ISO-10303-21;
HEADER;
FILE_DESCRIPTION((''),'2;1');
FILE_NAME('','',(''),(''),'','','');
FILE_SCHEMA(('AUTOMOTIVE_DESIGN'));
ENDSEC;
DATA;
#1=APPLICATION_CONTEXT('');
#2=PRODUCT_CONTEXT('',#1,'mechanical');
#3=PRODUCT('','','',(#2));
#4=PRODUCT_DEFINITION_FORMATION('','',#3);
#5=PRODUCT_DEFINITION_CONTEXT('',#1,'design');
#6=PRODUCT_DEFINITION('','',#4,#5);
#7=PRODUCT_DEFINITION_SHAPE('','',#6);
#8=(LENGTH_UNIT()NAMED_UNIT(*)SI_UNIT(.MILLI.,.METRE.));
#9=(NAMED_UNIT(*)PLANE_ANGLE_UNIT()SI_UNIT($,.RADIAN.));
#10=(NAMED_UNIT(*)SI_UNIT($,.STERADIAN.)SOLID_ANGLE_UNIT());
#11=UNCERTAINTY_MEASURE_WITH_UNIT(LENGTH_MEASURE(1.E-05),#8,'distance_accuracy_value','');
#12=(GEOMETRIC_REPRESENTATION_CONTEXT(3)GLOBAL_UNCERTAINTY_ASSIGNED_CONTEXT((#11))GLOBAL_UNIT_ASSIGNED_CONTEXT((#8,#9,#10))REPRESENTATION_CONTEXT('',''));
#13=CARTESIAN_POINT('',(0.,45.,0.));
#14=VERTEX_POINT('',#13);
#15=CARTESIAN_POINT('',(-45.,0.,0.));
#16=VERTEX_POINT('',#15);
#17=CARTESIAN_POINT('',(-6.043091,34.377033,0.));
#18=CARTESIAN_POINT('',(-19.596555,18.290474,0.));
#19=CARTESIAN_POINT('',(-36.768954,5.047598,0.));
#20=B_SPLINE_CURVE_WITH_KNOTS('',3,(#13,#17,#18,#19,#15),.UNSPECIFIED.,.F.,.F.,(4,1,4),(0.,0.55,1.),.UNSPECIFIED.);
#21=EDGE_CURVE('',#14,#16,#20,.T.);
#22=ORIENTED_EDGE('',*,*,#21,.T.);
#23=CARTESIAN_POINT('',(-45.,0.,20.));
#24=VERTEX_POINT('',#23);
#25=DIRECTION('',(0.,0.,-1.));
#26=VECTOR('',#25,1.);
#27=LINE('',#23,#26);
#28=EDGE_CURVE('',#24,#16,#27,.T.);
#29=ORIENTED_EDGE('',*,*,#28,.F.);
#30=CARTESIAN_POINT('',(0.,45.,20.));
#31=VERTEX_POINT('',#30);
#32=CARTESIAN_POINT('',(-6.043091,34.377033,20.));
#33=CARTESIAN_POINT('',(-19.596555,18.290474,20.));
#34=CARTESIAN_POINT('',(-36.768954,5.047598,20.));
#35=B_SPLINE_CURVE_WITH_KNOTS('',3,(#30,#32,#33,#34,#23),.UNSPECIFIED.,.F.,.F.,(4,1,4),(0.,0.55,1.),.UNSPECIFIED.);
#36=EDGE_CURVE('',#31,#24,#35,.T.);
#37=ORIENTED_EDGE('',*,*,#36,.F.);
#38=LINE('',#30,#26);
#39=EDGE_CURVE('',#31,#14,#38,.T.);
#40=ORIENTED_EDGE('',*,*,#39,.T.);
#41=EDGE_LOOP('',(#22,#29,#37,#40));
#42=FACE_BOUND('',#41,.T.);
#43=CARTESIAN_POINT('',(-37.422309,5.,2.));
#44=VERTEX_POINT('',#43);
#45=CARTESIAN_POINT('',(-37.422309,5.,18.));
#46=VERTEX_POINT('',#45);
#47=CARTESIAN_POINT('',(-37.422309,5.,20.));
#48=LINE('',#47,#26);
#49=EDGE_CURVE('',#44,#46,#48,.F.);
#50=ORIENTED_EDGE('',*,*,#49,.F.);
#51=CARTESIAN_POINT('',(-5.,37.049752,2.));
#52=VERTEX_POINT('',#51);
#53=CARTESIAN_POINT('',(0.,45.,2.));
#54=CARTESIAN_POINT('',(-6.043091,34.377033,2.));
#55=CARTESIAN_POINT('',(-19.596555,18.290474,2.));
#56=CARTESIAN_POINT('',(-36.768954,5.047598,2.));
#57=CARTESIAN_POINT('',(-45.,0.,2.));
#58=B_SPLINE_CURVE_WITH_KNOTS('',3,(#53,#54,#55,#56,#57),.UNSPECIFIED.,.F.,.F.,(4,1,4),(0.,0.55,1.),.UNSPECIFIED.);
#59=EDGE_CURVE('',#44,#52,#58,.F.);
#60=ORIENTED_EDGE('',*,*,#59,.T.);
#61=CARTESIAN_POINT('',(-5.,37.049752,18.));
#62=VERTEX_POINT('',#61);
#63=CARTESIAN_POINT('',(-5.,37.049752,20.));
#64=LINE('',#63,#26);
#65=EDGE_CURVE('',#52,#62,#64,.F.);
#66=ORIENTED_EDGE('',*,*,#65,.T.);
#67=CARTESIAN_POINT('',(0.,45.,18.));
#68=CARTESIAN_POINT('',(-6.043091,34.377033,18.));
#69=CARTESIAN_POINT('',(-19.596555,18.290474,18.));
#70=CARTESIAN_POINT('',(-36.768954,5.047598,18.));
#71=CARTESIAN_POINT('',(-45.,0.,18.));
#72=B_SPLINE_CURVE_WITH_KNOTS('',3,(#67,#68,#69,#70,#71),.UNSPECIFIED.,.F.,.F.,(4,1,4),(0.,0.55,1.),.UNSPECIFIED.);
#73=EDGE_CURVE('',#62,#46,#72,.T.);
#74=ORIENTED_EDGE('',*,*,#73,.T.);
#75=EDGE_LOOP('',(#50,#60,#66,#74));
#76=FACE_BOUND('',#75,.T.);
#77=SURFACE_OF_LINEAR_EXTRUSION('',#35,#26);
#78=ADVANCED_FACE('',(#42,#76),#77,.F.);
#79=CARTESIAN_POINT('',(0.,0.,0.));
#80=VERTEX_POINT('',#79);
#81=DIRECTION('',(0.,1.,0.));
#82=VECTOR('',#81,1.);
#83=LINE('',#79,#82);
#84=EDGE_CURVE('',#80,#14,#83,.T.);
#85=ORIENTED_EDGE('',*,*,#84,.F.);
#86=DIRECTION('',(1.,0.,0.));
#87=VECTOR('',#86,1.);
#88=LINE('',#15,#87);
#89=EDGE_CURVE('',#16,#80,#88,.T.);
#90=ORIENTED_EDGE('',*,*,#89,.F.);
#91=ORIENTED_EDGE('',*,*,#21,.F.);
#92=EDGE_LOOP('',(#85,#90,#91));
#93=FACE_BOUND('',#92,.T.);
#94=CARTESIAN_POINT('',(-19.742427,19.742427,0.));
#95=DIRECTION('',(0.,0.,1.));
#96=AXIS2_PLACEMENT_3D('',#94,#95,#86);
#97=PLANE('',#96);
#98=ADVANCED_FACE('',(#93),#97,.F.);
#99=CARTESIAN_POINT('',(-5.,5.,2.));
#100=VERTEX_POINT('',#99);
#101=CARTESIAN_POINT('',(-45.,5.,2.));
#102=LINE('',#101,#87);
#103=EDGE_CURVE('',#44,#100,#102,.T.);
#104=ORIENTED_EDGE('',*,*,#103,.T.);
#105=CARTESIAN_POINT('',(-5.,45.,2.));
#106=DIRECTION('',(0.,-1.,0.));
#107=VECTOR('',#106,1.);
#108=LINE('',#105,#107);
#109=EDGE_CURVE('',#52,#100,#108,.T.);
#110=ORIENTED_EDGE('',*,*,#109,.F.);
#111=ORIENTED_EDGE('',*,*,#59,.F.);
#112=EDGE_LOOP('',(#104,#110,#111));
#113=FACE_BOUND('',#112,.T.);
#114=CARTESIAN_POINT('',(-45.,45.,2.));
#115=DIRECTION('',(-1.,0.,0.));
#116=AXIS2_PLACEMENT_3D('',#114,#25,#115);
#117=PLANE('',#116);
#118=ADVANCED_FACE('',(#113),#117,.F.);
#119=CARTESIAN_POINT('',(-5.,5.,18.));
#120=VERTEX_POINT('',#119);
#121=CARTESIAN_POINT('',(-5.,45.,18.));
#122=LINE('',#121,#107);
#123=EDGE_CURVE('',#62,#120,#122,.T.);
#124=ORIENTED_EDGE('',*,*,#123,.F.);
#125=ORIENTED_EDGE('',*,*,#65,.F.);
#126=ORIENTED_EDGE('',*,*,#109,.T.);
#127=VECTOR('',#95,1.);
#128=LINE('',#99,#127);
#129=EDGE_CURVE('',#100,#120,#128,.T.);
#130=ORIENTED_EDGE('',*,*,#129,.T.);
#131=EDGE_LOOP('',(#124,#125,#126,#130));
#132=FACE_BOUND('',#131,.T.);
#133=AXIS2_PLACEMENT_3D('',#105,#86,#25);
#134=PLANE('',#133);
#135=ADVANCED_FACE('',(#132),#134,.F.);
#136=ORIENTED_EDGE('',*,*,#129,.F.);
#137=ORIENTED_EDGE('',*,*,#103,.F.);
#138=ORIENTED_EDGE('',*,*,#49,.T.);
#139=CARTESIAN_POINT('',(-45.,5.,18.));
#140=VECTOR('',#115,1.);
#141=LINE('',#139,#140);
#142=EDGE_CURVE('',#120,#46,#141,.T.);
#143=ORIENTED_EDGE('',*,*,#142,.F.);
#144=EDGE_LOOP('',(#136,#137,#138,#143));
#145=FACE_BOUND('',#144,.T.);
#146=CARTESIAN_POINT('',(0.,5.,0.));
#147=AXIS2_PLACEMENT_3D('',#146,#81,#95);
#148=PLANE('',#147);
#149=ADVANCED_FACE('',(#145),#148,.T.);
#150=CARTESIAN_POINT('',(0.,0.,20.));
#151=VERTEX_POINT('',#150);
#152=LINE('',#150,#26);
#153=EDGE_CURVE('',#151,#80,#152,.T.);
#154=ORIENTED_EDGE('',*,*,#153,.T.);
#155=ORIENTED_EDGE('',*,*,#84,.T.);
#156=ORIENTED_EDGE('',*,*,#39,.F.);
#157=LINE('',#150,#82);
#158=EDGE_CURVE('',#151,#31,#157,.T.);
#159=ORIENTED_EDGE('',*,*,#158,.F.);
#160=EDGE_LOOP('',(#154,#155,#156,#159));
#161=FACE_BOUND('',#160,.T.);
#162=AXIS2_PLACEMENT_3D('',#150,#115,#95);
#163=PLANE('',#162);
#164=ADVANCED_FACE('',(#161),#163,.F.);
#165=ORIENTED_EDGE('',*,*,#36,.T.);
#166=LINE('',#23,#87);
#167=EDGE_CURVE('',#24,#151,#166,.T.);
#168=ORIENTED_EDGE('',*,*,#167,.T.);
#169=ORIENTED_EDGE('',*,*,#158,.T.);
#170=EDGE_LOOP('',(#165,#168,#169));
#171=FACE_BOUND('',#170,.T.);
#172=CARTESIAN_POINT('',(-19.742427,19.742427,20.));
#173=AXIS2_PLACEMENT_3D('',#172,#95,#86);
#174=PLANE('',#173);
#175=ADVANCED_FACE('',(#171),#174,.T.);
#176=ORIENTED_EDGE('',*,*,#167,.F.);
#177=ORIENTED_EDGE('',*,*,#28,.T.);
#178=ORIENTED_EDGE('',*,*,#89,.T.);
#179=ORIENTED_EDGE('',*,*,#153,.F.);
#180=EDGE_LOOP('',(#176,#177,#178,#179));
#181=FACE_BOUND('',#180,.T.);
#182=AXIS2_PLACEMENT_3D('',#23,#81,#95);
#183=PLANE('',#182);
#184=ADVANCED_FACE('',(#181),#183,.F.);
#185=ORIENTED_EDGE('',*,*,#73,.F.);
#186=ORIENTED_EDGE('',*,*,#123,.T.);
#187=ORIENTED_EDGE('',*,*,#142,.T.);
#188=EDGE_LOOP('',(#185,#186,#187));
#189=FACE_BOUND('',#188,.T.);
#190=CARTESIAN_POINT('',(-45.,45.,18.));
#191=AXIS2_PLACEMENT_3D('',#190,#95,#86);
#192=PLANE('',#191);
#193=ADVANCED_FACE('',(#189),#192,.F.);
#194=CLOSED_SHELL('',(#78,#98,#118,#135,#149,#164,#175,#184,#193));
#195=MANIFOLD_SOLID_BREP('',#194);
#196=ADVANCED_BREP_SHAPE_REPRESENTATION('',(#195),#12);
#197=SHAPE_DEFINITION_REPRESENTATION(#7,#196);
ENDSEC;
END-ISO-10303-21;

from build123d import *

# Parameters (mm, degrees)
BOSS_EXTRUDE1_DEPTH = 20
CUT_EXTRUDE1_START  = -5
SKETCH2_W           = 40
SKETCH2_H           = 16
CUT_EXTRUDE1_DEPTH  = 62.708320486


with BuildPart() as part:
    # Sketch1 → Boss-Extrude1 (new body)
    with BuildSketch(Plane.XY):
        with BuildLine():
            Line((0, 0), (0, 45))
            add(Edge.make_bspline(
                [(0, 45), (-6.04309054, 34.377032995), (-19.596555361, 18.290474097), (-36.768954214, 5.047598121), (-45, 0)],
                knots=[0, 0, 0, 0, 0.55, 1, 1, 1, 1], degree=3))
            Line((-45, 0), (0, 0))
        make_face()
    extrude(amount=BOSS_EXTRUDE1_DEPTH)

    # Sketch2 → Cut-Extrude1 (cut, through all)
    with BuildSketch(Plane.XZ.offset(CUT_EXTRUDE1_START)):
        with Locations((-25, 10)):
            Rectangle(SKETCH2_W, SKETCH2_H)
    extrude(amount=-CUT_EXTRUDE1_DEPTH, mode=Mode.SUBTRACT)


solid = part.part
